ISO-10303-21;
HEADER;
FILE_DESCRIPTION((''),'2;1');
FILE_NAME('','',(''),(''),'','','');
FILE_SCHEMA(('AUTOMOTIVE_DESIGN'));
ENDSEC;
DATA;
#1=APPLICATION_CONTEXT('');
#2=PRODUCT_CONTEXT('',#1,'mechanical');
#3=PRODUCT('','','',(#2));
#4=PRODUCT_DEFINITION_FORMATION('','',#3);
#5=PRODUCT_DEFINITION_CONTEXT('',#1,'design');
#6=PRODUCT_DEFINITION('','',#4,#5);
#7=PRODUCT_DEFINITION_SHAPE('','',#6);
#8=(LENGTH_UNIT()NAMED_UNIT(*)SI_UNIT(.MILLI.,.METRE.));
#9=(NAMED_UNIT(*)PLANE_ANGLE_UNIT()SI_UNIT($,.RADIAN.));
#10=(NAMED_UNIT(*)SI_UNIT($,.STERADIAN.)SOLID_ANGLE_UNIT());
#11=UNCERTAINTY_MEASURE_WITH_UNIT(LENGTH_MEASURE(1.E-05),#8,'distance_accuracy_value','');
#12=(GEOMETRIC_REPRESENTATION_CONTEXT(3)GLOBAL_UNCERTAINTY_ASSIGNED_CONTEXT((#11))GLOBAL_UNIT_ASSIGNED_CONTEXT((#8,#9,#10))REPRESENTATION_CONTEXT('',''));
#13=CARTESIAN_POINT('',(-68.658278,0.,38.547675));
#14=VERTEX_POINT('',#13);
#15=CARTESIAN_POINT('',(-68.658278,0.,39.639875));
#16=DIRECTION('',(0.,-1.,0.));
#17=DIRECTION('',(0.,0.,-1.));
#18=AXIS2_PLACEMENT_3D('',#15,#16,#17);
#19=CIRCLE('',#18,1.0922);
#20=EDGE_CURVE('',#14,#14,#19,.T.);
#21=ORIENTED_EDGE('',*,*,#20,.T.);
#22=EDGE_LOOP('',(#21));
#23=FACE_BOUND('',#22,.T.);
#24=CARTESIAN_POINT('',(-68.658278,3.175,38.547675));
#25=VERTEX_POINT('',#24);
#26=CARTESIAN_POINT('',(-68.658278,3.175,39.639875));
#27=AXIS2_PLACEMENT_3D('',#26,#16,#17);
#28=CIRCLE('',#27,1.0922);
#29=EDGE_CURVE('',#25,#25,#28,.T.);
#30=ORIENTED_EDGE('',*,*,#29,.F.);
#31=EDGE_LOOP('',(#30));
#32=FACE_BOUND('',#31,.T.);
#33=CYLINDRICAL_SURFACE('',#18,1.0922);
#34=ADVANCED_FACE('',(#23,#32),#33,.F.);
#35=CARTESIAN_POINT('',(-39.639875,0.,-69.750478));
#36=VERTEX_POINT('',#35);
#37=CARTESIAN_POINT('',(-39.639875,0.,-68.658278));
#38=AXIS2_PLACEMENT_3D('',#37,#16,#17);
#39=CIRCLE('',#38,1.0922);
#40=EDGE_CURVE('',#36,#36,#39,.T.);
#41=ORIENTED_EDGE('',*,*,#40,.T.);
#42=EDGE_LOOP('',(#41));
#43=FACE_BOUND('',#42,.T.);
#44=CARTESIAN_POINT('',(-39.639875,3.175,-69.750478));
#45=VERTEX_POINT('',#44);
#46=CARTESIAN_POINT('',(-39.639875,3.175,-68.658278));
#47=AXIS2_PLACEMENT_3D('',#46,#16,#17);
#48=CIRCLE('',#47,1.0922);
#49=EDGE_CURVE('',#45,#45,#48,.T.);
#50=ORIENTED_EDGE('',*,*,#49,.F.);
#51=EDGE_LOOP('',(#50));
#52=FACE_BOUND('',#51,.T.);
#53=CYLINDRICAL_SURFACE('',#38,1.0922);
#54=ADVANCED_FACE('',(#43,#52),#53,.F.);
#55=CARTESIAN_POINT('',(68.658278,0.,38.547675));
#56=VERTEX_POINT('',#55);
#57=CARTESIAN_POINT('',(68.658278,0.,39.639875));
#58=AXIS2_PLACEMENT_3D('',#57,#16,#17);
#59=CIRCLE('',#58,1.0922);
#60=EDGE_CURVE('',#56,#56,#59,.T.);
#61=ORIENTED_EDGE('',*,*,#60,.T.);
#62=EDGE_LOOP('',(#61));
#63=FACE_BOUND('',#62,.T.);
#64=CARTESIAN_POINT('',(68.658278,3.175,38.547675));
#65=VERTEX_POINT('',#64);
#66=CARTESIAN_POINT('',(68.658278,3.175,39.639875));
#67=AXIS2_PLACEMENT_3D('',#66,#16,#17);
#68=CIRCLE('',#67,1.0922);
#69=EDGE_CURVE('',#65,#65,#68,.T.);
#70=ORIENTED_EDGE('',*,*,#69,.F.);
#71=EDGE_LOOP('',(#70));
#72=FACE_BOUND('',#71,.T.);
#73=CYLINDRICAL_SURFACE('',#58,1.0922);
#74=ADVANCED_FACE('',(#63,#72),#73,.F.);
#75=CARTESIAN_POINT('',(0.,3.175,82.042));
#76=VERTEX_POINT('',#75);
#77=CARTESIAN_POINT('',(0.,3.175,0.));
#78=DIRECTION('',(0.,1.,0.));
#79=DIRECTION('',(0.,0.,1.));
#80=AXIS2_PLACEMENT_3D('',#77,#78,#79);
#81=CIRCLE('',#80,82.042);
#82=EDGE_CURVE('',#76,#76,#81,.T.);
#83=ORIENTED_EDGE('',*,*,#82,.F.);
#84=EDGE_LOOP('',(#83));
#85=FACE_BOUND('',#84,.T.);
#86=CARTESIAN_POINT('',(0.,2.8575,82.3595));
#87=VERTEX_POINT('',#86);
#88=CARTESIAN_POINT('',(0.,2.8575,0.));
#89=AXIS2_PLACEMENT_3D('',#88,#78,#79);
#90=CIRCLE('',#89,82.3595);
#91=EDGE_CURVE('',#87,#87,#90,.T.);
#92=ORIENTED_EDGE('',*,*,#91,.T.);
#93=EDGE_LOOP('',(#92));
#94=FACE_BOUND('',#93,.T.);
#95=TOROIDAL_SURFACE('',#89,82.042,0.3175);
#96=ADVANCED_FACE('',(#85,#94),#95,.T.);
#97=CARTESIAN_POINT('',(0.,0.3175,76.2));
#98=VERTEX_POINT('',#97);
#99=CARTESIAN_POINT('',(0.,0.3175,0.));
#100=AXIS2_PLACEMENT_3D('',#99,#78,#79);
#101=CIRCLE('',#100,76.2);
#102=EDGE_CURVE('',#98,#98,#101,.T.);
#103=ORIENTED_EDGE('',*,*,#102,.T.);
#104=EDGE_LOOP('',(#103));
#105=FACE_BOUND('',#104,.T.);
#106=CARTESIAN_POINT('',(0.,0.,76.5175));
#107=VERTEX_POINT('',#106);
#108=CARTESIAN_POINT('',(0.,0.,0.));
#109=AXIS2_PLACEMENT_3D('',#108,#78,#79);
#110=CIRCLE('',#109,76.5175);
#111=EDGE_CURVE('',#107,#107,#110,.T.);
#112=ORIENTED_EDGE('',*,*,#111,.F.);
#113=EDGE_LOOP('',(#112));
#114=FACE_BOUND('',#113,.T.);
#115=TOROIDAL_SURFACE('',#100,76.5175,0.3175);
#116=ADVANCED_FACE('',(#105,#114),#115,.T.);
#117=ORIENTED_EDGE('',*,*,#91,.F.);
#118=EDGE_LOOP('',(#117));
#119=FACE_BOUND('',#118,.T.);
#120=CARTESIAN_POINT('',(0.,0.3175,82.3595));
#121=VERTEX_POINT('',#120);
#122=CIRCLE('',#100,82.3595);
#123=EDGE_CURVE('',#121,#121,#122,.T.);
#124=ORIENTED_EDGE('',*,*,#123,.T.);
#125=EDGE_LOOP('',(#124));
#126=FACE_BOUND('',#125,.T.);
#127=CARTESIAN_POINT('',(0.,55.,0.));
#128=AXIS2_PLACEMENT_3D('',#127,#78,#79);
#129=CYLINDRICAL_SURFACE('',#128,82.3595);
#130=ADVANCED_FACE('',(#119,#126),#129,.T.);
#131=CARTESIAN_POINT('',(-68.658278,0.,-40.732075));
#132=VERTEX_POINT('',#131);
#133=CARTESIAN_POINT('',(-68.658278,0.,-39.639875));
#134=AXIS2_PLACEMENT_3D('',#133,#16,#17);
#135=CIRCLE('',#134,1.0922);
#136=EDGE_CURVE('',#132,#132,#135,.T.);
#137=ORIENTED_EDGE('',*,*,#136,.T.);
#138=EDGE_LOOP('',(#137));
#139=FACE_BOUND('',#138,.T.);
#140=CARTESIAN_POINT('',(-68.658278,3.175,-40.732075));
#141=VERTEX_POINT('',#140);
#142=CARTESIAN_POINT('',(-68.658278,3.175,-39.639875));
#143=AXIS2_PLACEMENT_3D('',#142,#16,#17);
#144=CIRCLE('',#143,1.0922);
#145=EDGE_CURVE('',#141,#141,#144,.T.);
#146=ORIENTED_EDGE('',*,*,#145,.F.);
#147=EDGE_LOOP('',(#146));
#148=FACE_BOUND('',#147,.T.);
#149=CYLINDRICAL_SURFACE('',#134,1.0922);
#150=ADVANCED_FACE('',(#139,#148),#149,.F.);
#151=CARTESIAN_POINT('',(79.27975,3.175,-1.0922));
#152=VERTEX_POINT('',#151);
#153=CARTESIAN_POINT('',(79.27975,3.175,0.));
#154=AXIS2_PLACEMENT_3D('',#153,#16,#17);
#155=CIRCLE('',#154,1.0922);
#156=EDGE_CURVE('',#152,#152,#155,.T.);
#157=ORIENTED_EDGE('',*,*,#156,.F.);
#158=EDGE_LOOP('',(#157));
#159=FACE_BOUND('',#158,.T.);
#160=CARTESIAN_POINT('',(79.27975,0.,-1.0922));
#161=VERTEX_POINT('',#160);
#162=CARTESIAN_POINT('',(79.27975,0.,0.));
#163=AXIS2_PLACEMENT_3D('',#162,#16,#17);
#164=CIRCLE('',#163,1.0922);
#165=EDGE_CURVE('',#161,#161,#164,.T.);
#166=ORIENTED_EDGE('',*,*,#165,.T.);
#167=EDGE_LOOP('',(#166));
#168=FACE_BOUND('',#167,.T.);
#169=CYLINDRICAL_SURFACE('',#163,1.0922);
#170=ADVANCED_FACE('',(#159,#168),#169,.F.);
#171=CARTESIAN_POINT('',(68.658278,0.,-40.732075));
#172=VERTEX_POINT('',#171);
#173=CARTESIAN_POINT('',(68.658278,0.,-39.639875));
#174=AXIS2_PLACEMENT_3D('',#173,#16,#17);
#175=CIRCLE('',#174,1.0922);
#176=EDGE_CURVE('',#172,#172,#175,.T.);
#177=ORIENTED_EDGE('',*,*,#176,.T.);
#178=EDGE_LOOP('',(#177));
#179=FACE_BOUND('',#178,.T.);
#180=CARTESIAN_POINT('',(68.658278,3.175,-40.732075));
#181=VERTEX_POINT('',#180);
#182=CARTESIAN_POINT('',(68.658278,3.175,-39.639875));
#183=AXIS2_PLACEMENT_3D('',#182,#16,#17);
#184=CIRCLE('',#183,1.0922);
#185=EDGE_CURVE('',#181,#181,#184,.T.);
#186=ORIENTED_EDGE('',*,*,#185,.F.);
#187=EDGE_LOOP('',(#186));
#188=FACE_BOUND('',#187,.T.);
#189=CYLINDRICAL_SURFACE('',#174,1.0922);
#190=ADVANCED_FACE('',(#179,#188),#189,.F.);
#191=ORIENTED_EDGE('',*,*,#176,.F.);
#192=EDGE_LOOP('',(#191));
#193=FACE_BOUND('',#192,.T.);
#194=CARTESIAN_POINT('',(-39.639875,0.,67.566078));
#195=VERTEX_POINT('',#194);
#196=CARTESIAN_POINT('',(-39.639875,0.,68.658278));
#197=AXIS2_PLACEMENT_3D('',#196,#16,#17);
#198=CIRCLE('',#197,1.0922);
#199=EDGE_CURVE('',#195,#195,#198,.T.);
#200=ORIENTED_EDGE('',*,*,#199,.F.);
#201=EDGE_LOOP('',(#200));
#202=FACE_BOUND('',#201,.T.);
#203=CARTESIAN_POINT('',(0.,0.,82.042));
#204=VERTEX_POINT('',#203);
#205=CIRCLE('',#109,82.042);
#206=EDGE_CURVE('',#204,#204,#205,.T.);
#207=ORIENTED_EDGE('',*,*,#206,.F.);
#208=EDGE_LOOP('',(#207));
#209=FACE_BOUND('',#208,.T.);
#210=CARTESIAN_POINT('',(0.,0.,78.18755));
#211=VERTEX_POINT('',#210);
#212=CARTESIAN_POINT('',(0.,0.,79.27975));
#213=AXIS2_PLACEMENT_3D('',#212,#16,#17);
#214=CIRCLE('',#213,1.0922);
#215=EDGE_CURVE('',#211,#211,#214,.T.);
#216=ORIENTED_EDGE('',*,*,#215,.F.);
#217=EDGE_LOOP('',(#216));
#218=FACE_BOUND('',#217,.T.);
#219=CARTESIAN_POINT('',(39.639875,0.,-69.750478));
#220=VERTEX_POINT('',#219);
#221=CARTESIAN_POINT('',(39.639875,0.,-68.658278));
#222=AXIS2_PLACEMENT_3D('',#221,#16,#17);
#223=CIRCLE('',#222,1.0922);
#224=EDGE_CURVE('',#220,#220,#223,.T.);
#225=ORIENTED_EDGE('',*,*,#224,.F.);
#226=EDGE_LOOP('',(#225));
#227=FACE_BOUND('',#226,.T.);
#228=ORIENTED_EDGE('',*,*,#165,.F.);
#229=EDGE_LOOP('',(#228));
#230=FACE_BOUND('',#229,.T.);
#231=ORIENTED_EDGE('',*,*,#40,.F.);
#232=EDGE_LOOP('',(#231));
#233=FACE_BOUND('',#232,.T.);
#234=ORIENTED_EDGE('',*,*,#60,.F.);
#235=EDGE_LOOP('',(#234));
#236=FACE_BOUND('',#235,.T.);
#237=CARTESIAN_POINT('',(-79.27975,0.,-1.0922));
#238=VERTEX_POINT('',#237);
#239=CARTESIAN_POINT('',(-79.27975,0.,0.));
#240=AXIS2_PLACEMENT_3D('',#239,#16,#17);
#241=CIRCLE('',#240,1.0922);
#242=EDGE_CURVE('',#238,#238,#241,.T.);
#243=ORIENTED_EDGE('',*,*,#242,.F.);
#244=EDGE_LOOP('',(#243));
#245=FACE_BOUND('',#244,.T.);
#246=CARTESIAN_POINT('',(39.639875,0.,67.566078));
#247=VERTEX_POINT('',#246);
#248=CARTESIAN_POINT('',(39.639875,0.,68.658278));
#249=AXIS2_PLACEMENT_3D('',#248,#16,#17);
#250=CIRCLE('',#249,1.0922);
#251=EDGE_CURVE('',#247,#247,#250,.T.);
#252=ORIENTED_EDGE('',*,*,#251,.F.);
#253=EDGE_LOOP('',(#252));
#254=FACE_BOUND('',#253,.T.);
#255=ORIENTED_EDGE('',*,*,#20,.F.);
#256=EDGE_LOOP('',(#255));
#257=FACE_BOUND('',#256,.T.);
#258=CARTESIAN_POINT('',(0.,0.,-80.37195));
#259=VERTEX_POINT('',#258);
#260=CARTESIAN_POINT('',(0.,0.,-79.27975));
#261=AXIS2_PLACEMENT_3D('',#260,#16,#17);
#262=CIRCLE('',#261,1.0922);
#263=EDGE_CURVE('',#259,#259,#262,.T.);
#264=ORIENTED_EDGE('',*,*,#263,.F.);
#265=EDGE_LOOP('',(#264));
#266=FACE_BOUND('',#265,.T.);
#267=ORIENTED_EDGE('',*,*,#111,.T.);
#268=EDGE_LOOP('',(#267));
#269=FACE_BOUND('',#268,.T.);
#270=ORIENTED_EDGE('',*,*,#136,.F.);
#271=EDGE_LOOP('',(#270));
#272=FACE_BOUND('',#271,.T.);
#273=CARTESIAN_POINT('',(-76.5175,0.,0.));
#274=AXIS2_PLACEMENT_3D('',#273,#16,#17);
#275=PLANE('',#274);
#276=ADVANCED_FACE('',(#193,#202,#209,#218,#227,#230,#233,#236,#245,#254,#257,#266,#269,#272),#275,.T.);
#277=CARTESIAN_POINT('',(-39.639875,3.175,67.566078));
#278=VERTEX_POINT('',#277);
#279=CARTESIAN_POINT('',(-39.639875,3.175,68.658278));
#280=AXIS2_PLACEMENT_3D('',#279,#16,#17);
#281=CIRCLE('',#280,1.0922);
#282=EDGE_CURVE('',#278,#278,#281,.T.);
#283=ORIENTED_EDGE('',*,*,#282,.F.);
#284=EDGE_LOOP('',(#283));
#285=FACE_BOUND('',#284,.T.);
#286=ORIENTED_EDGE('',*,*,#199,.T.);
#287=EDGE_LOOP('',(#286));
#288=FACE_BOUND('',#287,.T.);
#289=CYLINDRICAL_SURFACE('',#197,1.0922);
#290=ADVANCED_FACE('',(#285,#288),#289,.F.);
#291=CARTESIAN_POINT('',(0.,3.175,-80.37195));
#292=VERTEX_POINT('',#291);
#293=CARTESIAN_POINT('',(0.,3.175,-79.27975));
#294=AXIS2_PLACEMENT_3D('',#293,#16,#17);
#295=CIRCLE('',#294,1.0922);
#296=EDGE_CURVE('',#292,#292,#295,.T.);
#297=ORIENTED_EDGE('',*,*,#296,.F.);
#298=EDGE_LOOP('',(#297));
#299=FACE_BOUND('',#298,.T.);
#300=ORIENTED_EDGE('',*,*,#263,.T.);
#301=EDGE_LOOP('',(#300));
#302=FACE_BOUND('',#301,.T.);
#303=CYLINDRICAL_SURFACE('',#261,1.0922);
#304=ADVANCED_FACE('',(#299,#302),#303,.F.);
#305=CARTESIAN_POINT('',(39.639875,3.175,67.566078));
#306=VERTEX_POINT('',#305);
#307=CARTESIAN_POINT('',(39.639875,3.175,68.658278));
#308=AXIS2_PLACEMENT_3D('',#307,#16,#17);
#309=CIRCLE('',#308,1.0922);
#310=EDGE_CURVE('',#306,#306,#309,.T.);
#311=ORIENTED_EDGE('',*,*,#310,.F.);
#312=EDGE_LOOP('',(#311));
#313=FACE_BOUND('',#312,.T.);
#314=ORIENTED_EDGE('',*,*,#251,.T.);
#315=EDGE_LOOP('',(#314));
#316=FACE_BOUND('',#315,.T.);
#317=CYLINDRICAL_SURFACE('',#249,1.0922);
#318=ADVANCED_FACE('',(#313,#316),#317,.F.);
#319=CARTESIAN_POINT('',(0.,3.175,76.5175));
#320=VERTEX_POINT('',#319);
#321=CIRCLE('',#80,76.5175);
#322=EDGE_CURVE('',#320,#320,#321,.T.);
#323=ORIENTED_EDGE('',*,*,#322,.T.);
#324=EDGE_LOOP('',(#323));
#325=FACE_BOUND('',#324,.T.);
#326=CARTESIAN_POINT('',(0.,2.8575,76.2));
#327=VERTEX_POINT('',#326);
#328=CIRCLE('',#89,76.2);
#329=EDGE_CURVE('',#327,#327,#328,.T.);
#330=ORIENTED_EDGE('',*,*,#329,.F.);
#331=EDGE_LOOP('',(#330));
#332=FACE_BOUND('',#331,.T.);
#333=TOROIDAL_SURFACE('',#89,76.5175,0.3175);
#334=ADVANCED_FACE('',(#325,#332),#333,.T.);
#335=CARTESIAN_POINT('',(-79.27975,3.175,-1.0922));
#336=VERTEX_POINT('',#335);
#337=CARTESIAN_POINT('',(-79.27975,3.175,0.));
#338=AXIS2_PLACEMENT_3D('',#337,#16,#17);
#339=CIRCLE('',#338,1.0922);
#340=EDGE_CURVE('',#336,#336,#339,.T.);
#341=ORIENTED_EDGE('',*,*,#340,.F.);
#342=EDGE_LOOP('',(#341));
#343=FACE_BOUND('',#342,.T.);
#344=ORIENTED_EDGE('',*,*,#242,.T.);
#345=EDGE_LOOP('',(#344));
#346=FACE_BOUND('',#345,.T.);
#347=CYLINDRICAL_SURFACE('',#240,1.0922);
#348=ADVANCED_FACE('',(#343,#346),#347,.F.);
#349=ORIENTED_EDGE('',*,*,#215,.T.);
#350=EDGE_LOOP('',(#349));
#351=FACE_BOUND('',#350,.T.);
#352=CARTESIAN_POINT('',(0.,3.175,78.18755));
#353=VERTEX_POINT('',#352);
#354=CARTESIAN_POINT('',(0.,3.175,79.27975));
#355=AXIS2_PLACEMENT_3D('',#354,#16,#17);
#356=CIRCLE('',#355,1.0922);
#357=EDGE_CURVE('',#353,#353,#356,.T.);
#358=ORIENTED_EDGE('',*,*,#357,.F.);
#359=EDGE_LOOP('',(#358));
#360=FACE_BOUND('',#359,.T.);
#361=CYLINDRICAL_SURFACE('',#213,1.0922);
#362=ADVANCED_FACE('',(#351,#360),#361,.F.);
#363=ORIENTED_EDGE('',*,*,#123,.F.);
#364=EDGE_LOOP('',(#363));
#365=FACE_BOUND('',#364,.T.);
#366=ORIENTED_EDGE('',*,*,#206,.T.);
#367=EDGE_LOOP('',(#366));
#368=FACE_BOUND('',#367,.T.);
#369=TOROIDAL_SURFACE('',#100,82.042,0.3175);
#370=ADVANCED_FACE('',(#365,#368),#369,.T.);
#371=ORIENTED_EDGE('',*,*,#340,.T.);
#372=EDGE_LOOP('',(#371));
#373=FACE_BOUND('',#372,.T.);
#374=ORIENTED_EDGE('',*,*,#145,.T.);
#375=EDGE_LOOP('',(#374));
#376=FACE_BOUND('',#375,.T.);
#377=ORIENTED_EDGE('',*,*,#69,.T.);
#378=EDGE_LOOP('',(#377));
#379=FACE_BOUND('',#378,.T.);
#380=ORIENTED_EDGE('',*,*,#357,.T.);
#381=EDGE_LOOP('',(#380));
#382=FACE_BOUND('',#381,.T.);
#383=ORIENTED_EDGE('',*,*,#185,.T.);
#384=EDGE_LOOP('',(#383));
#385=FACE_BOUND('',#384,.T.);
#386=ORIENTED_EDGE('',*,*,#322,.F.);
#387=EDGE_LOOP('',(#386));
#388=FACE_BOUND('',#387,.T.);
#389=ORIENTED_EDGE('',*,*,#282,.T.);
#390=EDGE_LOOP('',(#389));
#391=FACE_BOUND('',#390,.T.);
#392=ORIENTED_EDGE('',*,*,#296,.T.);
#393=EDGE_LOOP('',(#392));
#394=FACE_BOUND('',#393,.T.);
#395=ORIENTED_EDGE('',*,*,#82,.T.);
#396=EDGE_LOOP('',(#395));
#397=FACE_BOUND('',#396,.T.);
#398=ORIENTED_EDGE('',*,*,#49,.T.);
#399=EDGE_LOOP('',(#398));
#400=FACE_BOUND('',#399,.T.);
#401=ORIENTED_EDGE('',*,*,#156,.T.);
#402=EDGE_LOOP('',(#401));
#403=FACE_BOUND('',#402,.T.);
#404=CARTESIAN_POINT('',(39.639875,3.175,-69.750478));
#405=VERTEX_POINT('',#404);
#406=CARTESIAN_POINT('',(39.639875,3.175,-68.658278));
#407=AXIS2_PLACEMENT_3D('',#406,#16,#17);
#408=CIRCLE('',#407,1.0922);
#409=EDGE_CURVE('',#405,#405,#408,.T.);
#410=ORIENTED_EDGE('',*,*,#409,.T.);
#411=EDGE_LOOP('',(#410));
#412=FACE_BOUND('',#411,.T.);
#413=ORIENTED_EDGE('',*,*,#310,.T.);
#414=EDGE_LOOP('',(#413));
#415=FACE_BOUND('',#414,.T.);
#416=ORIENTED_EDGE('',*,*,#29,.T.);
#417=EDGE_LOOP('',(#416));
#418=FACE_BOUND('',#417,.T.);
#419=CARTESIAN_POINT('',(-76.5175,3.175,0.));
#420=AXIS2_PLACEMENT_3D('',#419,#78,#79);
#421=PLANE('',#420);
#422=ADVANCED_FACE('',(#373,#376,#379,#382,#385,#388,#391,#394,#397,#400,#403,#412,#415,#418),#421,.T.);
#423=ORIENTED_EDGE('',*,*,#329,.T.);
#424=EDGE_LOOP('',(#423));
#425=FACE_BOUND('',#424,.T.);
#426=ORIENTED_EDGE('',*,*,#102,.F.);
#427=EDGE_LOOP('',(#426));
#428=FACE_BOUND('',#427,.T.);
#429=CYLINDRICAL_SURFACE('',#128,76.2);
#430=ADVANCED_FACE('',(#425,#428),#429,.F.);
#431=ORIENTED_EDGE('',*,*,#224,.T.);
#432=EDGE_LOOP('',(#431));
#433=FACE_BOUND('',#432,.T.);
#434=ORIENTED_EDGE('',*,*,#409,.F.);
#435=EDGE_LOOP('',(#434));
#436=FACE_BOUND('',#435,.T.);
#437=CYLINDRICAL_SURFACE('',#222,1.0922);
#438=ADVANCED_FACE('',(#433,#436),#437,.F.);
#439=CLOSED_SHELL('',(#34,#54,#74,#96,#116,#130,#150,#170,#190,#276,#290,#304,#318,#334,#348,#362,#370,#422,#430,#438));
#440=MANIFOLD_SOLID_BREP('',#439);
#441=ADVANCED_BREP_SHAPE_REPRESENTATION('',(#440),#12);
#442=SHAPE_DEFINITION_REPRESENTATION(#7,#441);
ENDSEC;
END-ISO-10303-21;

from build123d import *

# Parameters (mm, degrees)
F_44_0_086_DIAMETER_HOLE1_D = 2.1844
SCREW_PASSTHROUGHS_COUNT    = 12


with BuildPart() as part:
    # Sketch1 → Main (revolve)
    with BuildSketch(Plane.XY):
        with BuildLine():
            Line((-76.5175, 0), (-82.042, 0))
            ThreePointArc((-82.042, 0), (-82.266506403, 0.092993597), (-82.3595, 0.3175))
            Line((-82.3595, 0.3175), (-82.3595, 2.8575))
            ThreePointArc((-82.3595, 2.8575), (-82.266506403, 3.082006403), (-82.042, 3.175))
            Line((-82.042, 3.175), (-76.5175, 3.175))
            ThreePointArc((-76.5175, 3.175), (-76.292993597, 3.082006403), (-76.2, 2.8575))
            Line((-76.2, 2.8575), (-76.2, 0.3175))
            ThreePointArc((-76.2, 0.3175), (-76.292993597, 0.092993597), (-76.5175, 0))
        make_face()
    revolve(axis=Axis((0, 55, 0), (0, -1, 0)))

    # #44 (0.086) Diameter Hole1 (through all)
    with Locations(Plane(origin=(0, 0, 0), x_dir=(-1, 0, 0), z_dir=(0, -1, 0))):
        with Locations((79.27975, 0)):
            f_44_0_086_diameter_hole1 = Hole(F_44_0_086_DIAMETER_HOLE1_D / 2)

    # Screw Passthroughs: #44 (0.086) Diameter Hole1 ×12 about axis
    screw_passthroughs_axis = Axis((0, 0, 0), (0, 1, 0))
    for i in range(1, SCREW_PASSTHROUGHS_COUNT):
        add(f_44_0_086_diameter_hole1.rotate(screw_passthroughs_axis, i * 360 / SCREW_PASSTHROUGHS_COUNT), mode=Mode.SUBTRACT)


solid = part.part
